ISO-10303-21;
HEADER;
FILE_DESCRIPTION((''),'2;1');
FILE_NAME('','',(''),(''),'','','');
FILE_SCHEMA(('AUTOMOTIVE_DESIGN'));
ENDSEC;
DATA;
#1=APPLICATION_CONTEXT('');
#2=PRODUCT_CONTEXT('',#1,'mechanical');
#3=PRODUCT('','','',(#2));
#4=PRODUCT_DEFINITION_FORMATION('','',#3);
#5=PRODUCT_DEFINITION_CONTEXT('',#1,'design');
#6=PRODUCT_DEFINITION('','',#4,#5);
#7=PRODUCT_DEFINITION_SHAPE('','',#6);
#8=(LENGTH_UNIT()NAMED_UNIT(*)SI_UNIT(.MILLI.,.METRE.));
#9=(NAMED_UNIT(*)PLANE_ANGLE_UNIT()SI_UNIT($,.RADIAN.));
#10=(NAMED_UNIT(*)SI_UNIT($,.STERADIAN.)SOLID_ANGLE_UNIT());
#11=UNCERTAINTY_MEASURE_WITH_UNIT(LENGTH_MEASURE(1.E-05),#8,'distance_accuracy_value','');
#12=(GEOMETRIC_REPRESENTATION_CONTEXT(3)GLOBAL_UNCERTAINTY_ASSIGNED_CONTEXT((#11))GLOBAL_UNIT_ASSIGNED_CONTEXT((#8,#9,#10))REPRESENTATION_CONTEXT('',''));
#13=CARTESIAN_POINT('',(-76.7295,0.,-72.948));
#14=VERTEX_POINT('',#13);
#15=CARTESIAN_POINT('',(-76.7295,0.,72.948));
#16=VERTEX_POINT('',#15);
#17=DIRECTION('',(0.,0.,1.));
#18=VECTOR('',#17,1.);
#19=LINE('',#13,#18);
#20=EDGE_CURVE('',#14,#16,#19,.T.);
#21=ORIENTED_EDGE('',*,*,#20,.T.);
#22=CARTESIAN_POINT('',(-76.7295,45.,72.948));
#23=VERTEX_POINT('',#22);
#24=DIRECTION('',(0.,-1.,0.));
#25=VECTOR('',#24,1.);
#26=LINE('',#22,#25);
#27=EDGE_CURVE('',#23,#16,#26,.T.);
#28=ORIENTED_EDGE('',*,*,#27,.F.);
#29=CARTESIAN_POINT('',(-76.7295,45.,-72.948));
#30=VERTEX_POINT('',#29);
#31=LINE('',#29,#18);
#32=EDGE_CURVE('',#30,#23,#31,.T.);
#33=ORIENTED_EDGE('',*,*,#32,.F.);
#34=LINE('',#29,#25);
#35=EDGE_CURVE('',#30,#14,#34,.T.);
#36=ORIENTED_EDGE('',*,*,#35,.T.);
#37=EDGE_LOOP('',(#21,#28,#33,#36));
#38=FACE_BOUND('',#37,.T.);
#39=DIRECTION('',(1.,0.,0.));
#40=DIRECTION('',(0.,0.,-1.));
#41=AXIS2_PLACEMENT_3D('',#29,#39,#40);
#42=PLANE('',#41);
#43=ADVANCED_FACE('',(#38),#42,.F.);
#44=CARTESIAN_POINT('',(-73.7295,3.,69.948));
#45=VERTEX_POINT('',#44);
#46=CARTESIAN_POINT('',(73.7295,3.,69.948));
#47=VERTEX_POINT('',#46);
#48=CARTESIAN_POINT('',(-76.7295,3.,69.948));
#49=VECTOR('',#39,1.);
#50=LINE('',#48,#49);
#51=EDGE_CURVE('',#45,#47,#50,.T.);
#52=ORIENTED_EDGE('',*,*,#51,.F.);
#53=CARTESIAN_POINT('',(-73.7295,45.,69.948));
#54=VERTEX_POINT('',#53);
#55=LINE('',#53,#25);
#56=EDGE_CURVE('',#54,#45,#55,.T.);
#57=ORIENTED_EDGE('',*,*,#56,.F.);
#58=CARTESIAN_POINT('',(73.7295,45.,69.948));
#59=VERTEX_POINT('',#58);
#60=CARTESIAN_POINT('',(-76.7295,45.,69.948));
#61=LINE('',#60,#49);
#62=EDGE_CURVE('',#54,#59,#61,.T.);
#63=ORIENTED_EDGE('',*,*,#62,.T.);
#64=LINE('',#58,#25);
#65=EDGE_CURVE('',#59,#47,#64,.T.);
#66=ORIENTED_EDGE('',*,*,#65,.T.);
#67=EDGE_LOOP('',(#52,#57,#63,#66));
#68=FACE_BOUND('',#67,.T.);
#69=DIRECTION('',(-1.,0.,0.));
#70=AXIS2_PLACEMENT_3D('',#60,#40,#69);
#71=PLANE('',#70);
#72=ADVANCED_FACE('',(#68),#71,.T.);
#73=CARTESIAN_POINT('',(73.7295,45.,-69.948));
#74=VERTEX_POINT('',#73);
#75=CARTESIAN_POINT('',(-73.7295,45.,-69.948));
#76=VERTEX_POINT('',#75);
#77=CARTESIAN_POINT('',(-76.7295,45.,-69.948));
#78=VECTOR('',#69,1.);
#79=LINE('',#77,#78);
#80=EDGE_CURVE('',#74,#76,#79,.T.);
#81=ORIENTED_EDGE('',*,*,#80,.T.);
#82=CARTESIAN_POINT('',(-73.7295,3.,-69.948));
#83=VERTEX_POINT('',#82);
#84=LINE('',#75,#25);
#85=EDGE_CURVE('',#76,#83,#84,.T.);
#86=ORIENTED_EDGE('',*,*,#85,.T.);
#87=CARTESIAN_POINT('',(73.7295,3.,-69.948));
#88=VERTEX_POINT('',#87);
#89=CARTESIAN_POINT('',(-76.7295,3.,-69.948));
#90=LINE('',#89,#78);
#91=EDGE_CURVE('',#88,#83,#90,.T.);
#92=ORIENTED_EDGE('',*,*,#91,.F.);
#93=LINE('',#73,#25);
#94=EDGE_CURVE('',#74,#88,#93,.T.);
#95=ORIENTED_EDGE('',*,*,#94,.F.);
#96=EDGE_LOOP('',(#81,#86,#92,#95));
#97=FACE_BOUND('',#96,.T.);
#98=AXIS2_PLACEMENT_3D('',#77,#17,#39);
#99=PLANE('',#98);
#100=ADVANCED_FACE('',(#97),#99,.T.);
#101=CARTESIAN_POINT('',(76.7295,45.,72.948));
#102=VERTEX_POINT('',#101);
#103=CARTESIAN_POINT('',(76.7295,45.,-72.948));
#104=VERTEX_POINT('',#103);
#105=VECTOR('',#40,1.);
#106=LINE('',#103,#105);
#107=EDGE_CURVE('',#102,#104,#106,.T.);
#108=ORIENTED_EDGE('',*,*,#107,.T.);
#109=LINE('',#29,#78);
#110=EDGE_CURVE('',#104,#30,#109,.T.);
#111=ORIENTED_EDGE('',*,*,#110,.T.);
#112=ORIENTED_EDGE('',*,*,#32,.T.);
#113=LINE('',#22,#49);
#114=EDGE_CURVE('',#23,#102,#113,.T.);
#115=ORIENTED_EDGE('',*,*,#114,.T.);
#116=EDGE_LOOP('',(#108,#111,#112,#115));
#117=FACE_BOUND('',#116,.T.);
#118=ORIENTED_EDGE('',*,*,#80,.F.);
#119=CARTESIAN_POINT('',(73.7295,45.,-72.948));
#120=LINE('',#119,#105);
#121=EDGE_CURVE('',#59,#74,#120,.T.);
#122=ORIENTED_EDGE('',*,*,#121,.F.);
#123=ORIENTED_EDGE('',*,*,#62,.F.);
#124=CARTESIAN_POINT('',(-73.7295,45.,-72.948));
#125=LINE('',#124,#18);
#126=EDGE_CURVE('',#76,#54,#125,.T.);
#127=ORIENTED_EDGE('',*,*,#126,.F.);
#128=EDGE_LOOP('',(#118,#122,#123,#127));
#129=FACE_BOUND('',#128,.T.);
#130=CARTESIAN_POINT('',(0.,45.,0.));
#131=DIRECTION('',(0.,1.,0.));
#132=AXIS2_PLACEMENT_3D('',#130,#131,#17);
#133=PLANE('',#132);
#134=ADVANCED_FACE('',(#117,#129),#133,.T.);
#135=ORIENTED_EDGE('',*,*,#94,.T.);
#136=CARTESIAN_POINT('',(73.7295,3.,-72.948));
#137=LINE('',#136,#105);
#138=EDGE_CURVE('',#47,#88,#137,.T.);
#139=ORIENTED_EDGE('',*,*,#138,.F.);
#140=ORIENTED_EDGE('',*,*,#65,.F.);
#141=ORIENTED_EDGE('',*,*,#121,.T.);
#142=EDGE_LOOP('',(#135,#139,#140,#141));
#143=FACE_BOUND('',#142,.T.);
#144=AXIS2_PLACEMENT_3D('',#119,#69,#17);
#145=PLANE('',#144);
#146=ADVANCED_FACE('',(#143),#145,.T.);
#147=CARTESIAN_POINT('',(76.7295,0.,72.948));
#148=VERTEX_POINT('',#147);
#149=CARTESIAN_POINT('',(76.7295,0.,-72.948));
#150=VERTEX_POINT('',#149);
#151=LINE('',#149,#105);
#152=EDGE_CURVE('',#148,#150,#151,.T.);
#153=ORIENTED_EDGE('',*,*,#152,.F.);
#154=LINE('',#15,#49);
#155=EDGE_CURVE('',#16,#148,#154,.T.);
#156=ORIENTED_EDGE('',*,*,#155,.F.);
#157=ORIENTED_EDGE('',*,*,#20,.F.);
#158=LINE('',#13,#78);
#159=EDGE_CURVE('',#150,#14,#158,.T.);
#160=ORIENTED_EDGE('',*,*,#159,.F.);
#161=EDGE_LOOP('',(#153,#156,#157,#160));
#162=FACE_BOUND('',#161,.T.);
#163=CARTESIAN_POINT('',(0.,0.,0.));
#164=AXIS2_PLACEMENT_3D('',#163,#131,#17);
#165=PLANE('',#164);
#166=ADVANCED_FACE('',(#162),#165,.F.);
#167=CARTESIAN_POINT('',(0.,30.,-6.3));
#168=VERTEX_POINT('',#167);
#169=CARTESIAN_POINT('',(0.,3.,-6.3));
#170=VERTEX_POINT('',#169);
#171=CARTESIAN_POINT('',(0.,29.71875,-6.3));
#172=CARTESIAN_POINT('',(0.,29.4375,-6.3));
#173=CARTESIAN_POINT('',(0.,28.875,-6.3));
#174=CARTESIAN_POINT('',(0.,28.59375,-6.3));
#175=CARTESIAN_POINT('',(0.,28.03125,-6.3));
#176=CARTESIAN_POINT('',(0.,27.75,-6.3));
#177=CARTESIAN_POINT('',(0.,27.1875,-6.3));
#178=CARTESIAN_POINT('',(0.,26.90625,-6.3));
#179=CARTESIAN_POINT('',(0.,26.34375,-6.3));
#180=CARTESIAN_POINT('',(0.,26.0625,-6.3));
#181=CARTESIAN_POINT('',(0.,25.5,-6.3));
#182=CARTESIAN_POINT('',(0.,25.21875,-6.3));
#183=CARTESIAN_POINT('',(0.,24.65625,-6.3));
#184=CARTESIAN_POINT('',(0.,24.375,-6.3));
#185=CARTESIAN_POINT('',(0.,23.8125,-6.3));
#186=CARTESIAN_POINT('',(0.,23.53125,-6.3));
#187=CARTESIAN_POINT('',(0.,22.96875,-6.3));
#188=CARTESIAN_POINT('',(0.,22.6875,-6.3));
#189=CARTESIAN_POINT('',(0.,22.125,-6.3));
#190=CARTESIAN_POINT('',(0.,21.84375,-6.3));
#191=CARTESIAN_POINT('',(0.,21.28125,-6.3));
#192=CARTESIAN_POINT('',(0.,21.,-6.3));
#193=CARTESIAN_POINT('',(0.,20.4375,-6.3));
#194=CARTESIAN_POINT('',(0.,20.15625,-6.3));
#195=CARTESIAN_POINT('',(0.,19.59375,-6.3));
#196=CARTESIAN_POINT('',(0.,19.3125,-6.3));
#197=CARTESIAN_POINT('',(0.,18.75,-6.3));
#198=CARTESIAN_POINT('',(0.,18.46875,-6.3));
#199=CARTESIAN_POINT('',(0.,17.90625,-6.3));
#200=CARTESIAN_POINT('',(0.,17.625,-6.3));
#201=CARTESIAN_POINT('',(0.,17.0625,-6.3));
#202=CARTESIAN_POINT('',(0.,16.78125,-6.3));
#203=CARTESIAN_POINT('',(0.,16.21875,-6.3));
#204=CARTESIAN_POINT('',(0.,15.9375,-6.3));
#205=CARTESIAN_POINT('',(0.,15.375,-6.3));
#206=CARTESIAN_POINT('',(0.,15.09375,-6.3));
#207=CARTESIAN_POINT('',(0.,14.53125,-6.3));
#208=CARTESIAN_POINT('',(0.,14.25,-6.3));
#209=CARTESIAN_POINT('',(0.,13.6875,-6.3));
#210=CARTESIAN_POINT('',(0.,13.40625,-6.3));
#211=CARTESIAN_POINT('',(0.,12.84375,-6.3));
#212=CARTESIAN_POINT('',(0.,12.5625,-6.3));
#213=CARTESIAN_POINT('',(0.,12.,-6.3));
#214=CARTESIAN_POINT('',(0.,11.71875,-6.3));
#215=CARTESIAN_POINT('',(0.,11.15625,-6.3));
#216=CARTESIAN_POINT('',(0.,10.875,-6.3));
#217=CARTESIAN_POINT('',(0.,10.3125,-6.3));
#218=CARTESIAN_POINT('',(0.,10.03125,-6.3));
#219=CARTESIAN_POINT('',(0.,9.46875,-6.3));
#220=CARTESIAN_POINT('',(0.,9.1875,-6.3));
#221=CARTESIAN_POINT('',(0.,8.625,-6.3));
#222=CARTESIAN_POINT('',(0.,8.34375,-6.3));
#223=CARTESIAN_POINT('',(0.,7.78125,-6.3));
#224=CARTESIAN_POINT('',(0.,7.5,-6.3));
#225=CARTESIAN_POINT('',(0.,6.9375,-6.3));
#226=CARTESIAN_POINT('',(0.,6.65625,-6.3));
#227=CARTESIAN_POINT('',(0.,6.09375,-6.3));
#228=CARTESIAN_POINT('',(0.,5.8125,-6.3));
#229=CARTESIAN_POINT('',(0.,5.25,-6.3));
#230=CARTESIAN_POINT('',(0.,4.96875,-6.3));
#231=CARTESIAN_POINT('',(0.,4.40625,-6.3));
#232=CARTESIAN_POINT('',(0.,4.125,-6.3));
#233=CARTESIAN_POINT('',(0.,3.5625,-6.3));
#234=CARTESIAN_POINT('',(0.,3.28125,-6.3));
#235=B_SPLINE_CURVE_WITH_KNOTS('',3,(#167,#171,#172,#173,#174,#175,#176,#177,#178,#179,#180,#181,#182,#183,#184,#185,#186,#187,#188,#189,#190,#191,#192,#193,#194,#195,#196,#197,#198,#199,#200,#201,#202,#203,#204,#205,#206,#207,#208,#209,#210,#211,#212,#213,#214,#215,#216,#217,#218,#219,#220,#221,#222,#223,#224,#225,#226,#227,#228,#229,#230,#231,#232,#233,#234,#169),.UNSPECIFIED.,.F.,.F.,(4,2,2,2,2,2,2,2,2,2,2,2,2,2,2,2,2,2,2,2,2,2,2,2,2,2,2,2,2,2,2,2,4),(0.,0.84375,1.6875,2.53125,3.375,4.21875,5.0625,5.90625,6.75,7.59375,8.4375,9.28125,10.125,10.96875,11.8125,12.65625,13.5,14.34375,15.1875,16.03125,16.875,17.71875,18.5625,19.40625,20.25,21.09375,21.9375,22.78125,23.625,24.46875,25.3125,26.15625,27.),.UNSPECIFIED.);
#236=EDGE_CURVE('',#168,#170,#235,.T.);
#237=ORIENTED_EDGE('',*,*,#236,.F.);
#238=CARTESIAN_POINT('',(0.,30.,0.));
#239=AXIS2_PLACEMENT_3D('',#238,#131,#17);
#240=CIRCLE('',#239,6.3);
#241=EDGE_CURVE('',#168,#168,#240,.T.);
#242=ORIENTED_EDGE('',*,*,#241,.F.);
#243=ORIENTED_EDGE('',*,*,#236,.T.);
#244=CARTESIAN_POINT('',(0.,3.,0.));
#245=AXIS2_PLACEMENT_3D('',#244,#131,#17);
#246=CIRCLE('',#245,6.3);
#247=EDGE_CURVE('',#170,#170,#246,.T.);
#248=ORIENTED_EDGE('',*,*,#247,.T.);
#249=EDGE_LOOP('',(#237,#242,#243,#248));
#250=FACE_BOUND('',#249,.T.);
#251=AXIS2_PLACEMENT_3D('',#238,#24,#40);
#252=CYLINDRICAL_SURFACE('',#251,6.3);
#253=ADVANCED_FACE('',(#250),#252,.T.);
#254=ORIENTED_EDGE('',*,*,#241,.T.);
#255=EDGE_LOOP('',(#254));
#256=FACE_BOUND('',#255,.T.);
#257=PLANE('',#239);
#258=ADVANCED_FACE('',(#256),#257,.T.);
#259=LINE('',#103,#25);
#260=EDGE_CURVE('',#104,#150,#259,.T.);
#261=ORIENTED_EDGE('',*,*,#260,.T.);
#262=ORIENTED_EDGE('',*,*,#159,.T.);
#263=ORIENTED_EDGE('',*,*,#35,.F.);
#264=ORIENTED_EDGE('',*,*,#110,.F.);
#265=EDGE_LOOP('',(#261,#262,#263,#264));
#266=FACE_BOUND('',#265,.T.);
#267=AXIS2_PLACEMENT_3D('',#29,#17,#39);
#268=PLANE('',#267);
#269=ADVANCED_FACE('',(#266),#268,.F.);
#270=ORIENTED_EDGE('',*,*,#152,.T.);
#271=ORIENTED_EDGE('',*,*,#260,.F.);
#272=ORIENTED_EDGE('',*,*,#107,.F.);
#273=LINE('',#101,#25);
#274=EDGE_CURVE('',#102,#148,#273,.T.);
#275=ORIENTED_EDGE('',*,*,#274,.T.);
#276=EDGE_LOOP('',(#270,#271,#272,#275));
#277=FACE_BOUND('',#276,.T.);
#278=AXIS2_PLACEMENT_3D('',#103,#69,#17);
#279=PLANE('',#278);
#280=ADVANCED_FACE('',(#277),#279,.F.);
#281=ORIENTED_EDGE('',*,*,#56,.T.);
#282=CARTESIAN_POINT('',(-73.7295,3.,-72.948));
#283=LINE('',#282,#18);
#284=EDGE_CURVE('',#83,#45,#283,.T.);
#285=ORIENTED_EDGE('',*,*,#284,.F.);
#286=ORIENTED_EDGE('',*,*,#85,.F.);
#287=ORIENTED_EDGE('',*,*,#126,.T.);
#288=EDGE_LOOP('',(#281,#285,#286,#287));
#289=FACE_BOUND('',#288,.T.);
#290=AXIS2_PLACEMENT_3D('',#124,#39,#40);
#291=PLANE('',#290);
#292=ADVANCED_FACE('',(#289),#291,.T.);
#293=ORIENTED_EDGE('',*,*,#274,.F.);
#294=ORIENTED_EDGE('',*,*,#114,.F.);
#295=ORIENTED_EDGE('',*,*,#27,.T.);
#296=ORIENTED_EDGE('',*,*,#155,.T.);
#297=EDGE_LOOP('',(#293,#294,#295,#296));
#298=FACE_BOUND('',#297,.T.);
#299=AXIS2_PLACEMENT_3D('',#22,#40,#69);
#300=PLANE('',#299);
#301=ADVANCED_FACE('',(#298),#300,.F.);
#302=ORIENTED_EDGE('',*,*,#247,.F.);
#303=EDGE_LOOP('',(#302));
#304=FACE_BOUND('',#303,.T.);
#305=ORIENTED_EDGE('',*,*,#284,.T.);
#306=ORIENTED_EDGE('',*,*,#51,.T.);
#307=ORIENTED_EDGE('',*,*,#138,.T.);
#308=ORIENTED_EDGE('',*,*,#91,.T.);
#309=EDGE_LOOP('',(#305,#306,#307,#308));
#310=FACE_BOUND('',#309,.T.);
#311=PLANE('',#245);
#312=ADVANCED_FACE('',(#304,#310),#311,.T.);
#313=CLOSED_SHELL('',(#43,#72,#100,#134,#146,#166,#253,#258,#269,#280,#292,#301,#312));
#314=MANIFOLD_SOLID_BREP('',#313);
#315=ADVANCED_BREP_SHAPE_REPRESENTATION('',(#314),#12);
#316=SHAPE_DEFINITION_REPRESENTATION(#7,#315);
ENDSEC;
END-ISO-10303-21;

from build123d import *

# Parameters (mm, degrees)
SKETCH1_W           = 511.53
SKETCH1_H           = 486.32
BOSS_EXTRUDE1_DEPTH = 150
SHELL1_T            = -10
SKETCH2_R           = 21
BOSS_EXTRUDE2_DEPTH = 90
SCALE1_SCALE        = 0.1
SCALE2_SCALE        = 3


with BuildPart() as part:
    # Sketch1 → Boss-Extrude1 (new body)
    with BuildSketch(Plane(origin=(0, 0, 0), x_dir=(1, 0, 0), z_dir=(0, 1, 0))):
        Rectangle(SKETCH1_W, SKETCH1_H)
    extrude(amount=BOSS_EXTRUDE1_DEPTH)

    # Shell1
    shell1_openings = [part.faces().sort_by_distance(p)[0] for p in [
        (0, 150, 0),
    ]]
    offset(amount=SHELL1_T, openings=shell1_openings, kind=Kind.INTERSECTION)

    # Sketch2 → Boss-Extrude2 (add)
    with BuildSketch(Plane(origin=(0, 10, 0), x_dir=(1, 0, 0), z_dir=(0, 1, 0))):
        with Locations(Location((0, 0, 0), (0, 0, 90))):
            Circle(SKETCH2_R)
    extrude(amount=BOSS_EXTRUDE2_DEPTH)


with BuildPart() as part_1:
    # Scale1: scaled about (0, 0, 0)
    add(part.part.scale(SCALE1_SCALE))


with BuildPart() as part_2:
    # Scale2: scaled about (0, 0, 0)
    add(part_1.part.scale(SCALE2_SCALE))


solid = part_2.part
